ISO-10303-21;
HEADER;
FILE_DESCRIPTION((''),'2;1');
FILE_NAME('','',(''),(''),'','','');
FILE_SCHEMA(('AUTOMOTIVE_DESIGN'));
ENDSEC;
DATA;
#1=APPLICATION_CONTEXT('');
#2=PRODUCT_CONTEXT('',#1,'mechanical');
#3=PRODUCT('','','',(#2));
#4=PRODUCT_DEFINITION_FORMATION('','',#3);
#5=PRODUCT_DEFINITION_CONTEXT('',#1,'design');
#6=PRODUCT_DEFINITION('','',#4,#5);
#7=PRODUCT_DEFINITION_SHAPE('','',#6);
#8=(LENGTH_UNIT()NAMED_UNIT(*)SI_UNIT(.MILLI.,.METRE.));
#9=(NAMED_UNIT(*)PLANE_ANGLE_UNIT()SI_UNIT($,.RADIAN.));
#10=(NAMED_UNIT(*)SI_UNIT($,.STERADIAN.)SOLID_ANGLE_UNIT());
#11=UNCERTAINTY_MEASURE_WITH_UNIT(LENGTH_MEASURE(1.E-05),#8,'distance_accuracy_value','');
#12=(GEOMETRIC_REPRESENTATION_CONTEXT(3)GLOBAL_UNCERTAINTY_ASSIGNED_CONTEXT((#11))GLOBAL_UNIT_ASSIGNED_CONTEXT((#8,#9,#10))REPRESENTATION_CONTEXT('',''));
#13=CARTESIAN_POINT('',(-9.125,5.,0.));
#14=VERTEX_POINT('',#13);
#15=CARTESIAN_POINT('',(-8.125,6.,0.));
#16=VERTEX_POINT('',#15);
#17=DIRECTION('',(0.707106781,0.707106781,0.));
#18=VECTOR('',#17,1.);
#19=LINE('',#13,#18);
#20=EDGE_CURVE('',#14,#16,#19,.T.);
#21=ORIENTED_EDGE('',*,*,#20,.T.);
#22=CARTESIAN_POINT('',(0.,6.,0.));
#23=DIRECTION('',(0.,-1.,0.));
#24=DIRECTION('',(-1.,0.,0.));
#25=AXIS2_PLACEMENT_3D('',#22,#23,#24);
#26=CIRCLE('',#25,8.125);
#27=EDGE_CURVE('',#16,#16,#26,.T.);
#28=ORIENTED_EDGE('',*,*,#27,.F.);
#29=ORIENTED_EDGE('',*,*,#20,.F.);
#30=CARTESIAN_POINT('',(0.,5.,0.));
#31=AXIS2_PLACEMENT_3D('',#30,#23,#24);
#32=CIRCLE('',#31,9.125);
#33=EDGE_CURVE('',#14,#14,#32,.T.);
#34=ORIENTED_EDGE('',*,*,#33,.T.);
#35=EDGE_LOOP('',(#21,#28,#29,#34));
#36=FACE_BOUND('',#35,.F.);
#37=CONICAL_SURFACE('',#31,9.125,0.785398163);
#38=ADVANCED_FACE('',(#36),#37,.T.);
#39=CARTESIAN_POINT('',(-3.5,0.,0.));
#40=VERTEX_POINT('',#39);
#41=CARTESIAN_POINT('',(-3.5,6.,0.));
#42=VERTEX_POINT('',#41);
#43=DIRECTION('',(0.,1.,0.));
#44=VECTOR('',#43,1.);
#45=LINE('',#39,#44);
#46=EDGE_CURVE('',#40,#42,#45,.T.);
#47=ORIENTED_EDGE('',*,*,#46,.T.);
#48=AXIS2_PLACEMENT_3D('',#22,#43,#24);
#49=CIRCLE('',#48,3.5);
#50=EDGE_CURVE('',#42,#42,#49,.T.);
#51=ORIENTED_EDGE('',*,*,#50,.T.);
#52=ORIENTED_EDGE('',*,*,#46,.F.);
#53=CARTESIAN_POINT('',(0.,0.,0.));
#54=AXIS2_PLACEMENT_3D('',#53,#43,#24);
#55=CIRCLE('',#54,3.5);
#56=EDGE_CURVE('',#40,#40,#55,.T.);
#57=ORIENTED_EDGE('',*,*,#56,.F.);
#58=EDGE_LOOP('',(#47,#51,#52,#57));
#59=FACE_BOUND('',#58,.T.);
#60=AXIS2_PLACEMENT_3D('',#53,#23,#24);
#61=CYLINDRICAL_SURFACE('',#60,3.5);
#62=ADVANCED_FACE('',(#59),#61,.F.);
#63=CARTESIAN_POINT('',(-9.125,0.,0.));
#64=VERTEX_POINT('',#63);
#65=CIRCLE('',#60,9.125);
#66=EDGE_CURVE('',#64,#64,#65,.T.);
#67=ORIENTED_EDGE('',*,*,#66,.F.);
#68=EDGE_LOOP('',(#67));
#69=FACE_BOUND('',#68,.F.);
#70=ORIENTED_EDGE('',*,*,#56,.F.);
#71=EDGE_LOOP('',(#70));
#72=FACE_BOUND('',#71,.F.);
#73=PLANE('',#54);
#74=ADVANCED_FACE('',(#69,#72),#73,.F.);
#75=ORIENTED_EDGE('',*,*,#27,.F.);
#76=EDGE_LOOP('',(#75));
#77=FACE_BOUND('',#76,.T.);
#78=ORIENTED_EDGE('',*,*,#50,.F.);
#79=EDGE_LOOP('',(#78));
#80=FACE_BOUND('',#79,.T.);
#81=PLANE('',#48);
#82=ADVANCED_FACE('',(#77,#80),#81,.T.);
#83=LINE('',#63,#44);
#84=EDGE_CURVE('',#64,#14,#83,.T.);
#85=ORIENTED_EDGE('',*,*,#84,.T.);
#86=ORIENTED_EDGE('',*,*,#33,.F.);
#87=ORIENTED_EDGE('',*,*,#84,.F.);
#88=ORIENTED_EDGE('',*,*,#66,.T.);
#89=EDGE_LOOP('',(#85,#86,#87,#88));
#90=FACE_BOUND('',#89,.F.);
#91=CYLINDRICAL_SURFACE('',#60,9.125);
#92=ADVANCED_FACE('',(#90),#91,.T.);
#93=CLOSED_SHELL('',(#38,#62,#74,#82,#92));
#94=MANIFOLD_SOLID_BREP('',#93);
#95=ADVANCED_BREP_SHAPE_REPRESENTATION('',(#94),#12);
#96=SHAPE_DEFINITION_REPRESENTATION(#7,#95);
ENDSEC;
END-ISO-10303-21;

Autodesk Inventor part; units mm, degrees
ref_plane "YZ Plane" through (0, 0, 0) normal (1, 0, 0) x (0, 1, 0)
ref_plane "XZ Plane" through (0, 0, 0) normal (0, 1, 0) x (-1, 0, 0)
ref_plane "XY Plane" through (0, 0, 0) normal (0, 0, 1) x (1, 0, 0)
sketch "Sketch1" plane through (0, 0, 0) normal (0, 1, 0) x (-1, 0, 0)
  circle A0 centre (0, 0) radius 6.125
  line L0 (0, 6.125) -> (0, 9.125)
  circle A1 centre (0, 0) radius 9.125
  line L1 (0, 0) -> (30, 0)
  circle A2 centre (0, 0) radius 30
  circle A3 centre (0, 0) radius 3.5
  dimension "d0" = 12.25
  dimension "d1" = 3
  dimension "d2" = 30
  dimension "d10" = 7
extrude "Extrusion1" add sketch "Sketch1" along normal blind 6 contours A0 | L1 A1 L0 A0 | A0 L0 A1 L1
chamfer "Chamfer2" distance 1 angle 45 1 edges at (9.125, 6, 0)
properties part number "driven gear spacer"
